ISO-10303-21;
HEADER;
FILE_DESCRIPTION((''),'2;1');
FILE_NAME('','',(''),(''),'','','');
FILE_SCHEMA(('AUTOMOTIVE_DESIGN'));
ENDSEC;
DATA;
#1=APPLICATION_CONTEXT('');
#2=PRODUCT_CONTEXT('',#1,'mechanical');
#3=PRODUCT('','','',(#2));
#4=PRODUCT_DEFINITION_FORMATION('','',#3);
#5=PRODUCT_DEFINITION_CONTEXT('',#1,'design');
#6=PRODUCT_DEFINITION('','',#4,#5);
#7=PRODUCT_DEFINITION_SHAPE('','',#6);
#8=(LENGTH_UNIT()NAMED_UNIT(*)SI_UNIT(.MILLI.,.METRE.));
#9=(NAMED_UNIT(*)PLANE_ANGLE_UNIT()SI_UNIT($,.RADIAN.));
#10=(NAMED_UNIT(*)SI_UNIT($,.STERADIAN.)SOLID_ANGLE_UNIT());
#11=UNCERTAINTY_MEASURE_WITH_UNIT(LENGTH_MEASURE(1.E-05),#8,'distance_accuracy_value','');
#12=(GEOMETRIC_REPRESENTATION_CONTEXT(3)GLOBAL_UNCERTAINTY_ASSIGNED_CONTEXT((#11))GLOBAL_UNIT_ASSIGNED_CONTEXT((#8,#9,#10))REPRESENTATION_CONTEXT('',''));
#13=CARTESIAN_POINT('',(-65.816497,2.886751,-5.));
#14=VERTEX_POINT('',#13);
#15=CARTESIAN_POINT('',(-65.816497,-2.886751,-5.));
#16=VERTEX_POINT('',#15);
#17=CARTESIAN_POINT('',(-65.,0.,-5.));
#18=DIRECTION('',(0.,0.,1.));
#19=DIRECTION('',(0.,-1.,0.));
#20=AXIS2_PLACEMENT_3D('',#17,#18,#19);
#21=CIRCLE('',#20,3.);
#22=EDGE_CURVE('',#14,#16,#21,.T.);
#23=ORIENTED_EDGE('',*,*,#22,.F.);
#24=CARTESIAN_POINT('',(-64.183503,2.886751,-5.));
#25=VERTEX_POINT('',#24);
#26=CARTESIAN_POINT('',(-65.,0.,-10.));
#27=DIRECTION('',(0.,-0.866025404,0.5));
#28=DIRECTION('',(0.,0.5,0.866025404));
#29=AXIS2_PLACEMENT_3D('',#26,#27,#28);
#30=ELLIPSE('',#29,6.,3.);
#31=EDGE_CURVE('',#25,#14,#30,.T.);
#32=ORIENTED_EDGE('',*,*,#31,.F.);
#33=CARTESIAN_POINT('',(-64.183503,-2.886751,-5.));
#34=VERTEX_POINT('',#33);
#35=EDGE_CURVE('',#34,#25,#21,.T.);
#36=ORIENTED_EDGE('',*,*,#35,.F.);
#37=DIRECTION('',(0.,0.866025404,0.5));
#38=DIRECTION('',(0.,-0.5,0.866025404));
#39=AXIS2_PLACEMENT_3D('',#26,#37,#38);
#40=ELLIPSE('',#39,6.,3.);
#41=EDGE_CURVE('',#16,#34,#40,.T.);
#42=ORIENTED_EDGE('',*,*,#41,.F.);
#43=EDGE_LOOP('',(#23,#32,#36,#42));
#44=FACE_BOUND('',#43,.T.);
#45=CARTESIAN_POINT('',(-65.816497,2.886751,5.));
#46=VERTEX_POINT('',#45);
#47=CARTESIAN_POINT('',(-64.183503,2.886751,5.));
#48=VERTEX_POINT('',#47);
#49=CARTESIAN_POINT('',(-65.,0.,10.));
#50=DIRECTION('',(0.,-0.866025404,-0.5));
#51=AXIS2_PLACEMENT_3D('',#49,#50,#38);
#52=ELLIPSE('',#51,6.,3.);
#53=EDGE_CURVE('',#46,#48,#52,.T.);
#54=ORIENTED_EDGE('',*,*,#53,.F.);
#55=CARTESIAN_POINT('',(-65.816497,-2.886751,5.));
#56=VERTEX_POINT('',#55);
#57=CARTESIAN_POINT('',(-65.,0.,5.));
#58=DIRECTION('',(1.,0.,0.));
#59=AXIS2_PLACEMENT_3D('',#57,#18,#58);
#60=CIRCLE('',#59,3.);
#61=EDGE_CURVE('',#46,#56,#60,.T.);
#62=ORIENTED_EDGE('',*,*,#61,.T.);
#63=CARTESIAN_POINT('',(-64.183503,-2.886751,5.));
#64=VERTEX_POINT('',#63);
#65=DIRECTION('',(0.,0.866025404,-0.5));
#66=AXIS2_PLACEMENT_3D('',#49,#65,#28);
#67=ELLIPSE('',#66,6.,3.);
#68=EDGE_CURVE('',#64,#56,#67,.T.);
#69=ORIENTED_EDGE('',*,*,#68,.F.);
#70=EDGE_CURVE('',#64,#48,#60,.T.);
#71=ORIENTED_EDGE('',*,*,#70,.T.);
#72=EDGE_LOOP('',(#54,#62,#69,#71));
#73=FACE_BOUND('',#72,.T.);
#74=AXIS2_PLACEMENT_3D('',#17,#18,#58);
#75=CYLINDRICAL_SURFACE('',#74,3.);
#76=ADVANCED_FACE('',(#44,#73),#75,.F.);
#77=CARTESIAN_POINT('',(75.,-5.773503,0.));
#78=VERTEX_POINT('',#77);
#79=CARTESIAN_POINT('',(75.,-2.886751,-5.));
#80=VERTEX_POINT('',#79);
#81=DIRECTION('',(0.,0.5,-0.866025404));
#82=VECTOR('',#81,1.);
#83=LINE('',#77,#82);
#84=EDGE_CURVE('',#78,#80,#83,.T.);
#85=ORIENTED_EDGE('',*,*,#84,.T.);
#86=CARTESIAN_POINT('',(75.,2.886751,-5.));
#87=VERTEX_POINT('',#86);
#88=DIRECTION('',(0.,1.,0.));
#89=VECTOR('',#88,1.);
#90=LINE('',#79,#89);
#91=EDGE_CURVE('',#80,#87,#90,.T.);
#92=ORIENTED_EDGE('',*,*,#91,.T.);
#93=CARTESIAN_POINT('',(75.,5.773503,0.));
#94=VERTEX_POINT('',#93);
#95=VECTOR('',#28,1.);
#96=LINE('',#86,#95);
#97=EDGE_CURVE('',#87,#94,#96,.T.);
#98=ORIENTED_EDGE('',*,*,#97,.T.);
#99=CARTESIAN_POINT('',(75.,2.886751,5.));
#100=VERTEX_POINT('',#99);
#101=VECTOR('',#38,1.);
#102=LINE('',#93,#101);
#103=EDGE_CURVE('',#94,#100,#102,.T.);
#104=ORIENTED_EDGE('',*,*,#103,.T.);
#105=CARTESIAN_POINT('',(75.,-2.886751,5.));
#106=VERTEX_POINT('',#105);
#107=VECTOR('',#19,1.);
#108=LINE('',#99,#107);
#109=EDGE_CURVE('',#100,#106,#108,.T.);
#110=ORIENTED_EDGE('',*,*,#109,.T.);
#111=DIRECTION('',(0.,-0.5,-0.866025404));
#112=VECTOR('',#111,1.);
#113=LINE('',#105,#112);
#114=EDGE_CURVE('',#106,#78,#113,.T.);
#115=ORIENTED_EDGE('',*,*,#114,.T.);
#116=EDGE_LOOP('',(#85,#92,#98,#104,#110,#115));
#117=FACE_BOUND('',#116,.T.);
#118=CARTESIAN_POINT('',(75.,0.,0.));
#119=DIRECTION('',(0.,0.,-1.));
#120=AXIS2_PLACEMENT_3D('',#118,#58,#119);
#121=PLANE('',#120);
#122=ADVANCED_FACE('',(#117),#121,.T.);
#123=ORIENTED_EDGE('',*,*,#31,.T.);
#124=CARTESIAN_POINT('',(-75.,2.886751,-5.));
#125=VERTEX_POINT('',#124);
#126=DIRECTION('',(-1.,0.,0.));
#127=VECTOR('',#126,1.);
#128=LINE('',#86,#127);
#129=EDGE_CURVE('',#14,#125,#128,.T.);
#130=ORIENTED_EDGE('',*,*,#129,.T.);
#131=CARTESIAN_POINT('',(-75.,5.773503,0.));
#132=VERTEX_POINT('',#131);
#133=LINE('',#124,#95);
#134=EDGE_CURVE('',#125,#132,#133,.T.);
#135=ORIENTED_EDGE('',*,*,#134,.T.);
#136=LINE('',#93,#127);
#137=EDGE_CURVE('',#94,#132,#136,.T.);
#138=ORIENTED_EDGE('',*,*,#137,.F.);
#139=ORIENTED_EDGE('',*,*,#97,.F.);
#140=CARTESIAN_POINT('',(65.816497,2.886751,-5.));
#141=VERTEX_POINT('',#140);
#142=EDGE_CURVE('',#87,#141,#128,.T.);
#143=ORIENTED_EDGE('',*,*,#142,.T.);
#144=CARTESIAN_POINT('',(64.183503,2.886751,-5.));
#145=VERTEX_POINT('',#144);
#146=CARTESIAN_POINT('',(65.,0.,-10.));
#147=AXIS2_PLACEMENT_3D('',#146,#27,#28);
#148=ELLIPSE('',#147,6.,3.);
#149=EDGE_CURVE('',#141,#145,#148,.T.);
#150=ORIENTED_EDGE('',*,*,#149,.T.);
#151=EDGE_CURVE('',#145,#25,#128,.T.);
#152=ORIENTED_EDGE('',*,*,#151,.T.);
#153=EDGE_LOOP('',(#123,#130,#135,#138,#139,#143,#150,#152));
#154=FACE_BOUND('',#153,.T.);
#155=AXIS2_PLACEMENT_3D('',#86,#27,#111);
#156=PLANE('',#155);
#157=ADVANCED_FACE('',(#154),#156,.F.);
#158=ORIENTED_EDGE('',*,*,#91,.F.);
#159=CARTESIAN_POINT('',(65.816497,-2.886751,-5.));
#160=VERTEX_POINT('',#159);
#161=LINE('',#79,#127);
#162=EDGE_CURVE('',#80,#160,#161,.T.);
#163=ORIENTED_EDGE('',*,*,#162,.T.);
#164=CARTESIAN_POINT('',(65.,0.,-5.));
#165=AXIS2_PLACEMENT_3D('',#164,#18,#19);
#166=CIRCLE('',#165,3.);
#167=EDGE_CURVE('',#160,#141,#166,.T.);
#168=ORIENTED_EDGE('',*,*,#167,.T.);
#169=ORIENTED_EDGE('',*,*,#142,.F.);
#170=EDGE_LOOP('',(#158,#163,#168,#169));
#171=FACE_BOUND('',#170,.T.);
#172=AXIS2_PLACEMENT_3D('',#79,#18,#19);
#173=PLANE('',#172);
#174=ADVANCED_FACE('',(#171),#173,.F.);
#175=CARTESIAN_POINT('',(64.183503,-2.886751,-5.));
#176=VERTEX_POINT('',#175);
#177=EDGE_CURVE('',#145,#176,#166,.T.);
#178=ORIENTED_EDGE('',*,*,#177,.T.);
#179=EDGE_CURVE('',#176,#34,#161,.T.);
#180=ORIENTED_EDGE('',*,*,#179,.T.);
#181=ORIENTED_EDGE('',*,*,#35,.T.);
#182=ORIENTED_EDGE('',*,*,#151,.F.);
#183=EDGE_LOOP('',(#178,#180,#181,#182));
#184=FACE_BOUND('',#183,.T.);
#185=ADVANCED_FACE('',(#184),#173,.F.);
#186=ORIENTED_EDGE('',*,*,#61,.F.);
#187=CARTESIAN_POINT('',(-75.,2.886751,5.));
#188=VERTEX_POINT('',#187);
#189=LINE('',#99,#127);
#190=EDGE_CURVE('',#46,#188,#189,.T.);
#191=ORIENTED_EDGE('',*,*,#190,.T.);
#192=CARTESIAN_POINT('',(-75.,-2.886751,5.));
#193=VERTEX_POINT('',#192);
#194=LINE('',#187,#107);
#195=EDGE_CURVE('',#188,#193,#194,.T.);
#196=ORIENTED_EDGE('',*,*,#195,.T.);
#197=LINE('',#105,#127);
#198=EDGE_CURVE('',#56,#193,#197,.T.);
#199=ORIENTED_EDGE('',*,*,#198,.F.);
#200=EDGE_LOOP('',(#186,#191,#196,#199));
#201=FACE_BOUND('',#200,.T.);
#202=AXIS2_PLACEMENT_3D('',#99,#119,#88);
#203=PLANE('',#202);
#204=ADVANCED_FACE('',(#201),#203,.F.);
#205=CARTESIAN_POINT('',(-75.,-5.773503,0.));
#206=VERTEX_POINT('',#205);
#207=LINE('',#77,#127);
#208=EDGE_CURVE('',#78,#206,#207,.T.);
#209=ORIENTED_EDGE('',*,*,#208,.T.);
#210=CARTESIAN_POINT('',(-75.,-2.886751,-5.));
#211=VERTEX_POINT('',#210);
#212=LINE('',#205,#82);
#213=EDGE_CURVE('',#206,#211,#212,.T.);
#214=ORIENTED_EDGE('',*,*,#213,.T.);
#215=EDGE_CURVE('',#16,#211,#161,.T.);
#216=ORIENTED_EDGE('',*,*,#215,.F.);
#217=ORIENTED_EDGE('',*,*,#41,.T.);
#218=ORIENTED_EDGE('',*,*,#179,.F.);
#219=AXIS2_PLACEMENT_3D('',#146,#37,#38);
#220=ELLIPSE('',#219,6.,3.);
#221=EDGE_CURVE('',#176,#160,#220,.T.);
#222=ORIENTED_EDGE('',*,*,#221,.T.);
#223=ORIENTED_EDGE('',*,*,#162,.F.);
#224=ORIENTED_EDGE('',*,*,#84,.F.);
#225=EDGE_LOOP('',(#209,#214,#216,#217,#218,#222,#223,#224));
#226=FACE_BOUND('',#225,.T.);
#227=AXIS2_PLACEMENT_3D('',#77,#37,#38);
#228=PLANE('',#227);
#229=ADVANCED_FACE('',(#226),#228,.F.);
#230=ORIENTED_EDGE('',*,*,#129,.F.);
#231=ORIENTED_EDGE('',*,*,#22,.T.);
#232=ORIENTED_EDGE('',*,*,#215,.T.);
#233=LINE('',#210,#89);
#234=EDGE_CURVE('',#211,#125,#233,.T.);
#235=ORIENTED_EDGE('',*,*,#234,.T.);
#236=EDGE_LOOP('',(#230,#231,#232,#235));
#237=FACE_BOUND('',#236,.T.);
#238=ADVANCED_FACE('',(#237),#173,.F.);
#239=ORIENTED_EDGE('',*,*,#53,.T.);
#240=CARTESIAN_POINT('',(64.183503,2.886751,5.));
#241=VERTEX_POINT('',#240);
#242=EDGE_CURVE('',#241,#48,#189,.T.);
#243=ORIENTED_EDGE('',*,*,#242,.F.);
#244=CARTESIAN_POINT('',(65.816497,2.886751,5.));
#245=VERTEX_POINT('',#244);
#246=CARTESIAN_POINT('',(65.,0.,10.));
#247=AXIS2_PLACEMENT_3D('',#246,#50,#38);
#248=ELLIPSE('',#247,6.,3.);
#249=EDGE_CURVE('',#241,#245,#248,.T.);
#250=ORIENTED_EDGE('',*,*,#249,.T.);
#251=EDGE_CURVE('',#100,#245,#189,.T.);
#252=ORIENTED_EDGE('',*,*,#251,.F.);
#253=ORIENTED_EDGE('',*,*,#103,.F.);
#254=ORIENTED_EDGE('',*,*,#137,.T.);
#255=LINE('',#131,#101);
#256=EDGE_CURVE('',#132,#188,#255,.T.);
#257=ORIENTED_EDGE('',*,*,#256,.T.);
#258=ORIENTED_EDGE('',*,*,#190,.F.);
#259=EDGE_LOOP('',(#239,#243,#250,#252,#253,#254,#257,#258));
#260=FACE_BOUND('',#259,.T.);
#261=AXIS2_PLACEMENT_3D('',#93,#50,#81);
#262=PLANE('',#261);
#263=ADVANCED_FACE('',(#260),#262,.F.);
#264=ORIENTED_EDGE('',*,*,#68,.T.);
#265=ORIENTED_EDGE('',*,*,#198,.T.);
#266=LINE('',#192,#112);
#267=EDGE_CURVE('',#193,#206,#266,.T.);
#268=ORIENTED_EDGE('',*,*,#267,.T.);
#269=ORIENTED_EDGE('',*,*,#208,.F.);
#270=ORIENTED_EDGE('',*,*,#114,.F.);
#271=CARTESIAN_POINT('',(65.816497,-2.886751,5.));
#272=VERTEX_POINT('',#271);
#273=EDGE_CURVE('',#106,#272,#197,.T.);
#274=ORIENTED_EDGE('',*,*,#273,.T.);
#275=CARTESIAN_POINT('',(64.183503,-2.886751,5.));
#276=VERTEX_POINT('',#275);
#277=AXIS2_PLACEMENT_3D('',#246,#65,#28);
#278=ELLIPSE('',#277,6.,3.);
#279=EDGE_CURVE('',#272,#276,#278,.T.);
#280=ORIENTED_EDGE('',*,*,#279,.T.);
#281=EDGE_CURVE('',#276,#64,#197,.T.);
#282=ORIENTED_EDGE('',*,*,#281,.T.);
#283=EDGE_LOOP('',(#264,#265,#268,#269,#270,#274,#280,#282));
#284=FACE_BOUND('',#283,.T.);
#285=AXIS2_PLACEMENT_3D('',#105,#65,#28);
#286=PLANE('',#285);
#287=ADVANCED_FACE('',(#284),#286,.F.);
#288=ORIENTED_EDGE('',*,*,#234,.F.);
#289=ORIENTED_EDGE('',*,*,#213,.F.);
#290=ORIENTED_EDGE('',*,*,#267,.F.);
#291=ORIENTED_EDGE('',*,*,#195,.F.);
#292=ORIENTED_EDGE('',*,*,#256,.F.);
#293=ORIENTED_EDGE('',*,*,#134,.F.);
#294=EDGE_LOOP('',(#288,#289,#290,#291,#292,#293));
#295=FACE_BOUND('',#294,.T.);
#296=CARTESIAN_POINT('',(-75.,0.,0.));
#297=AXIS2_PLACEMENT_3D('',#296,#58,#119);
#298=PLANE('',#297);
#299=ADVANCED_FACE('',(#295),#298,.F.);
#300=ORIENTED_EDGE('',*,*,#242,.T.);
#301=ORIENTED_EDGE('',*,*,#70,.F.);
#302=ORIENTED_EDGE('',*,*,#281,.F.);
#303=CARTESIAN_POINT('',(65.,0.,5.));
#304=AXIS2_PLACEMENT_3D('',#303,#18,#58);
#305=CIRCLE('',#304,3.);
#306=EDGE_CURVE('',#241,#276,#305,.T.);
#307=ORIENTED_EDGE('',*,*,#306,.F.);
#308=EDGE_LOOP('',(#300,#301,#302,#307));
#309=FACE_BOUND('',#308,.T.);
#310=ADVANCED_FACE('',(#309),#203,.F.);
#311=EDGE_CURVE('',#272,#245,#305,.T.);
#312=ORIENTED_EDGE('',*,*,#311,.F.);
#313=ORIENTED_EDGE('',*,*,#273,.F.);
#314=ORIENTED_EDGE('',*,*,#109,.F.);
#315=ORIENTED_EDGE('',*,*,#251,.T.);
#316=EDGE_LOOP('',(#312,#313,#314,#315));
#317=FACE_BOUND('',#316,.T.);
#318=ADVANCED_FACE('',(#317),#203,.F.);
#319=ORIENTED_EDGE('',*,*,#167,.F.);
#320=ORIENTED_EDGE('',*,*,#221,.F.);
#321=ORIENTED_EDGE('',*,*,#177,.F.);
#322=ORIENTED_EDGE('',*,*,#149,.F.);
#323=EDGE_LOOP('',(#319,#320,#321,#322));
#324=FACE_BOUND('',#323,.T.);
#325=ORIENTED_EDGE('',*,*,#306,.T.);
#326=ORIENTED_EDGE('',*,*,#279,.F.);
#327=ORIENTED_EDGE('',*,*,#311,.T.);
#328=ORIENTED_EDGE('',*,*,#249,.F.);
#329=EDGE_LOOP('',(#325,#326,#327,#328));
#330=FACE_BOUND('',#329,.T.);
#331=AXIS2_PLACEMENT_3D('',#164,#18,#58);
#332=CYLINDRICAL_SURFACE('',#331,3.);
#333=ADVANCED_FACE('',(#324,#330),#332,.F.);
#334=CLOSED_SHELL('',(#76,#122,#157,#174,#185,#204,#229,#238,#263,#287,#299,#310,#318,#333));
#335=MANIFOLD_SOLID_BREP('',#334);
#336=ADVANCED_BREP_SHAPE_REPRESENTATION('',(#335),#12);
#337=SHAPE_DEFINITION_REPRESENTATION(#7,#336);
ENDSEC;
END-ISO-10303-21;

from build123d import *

# Parameters (mm, degrees)
BOSS_EXTRUDE1_DEPTH     = 75
SKETCH2_R               = 3
CUT_EXTRUDE1_DEPTH      = 6
CUT_EXTRUDE1_DEPTH_BACK = 6


with BuildPart() as part:
    # Sketch1 → Boss-Extrude1 (new body, symmetric)
    with BuildSketch(Plane(origin=(0, 0, 0), x_dir=(0, 0, -1), z_dir=(1, 0, 0))):
        Polygon((0, 5.773502692), (-5, 2.886751346), (-5, -2.886751346), (0, -5.773502692), (5, -2.886751346), (5, 2.886751346), align=None)
    extrude(amount=BOSS_EXTRUDE1_DEPTH, both=True)

    # Sketch2 → Cut-Extrude1 (cut, two sides)
    with BuildSketch(Plane.XY) as cut_extrude1_sk:
        with Locations((65, 0)):
            Circle(SKETCH2_R)
        with Locations((-65, 0)):
            Circle(SKETCH2_R)
    extrude(amount=CUT_EXTRUDE1_DEPTH, mode=Mode.SUBTRACT)
    extrude(cut_extrude1_sk.sketch, amount=-CUT_EXTRUDE1_DEPTH_BACK, mode=Mode.SUBTRACT)


solid = part.part
